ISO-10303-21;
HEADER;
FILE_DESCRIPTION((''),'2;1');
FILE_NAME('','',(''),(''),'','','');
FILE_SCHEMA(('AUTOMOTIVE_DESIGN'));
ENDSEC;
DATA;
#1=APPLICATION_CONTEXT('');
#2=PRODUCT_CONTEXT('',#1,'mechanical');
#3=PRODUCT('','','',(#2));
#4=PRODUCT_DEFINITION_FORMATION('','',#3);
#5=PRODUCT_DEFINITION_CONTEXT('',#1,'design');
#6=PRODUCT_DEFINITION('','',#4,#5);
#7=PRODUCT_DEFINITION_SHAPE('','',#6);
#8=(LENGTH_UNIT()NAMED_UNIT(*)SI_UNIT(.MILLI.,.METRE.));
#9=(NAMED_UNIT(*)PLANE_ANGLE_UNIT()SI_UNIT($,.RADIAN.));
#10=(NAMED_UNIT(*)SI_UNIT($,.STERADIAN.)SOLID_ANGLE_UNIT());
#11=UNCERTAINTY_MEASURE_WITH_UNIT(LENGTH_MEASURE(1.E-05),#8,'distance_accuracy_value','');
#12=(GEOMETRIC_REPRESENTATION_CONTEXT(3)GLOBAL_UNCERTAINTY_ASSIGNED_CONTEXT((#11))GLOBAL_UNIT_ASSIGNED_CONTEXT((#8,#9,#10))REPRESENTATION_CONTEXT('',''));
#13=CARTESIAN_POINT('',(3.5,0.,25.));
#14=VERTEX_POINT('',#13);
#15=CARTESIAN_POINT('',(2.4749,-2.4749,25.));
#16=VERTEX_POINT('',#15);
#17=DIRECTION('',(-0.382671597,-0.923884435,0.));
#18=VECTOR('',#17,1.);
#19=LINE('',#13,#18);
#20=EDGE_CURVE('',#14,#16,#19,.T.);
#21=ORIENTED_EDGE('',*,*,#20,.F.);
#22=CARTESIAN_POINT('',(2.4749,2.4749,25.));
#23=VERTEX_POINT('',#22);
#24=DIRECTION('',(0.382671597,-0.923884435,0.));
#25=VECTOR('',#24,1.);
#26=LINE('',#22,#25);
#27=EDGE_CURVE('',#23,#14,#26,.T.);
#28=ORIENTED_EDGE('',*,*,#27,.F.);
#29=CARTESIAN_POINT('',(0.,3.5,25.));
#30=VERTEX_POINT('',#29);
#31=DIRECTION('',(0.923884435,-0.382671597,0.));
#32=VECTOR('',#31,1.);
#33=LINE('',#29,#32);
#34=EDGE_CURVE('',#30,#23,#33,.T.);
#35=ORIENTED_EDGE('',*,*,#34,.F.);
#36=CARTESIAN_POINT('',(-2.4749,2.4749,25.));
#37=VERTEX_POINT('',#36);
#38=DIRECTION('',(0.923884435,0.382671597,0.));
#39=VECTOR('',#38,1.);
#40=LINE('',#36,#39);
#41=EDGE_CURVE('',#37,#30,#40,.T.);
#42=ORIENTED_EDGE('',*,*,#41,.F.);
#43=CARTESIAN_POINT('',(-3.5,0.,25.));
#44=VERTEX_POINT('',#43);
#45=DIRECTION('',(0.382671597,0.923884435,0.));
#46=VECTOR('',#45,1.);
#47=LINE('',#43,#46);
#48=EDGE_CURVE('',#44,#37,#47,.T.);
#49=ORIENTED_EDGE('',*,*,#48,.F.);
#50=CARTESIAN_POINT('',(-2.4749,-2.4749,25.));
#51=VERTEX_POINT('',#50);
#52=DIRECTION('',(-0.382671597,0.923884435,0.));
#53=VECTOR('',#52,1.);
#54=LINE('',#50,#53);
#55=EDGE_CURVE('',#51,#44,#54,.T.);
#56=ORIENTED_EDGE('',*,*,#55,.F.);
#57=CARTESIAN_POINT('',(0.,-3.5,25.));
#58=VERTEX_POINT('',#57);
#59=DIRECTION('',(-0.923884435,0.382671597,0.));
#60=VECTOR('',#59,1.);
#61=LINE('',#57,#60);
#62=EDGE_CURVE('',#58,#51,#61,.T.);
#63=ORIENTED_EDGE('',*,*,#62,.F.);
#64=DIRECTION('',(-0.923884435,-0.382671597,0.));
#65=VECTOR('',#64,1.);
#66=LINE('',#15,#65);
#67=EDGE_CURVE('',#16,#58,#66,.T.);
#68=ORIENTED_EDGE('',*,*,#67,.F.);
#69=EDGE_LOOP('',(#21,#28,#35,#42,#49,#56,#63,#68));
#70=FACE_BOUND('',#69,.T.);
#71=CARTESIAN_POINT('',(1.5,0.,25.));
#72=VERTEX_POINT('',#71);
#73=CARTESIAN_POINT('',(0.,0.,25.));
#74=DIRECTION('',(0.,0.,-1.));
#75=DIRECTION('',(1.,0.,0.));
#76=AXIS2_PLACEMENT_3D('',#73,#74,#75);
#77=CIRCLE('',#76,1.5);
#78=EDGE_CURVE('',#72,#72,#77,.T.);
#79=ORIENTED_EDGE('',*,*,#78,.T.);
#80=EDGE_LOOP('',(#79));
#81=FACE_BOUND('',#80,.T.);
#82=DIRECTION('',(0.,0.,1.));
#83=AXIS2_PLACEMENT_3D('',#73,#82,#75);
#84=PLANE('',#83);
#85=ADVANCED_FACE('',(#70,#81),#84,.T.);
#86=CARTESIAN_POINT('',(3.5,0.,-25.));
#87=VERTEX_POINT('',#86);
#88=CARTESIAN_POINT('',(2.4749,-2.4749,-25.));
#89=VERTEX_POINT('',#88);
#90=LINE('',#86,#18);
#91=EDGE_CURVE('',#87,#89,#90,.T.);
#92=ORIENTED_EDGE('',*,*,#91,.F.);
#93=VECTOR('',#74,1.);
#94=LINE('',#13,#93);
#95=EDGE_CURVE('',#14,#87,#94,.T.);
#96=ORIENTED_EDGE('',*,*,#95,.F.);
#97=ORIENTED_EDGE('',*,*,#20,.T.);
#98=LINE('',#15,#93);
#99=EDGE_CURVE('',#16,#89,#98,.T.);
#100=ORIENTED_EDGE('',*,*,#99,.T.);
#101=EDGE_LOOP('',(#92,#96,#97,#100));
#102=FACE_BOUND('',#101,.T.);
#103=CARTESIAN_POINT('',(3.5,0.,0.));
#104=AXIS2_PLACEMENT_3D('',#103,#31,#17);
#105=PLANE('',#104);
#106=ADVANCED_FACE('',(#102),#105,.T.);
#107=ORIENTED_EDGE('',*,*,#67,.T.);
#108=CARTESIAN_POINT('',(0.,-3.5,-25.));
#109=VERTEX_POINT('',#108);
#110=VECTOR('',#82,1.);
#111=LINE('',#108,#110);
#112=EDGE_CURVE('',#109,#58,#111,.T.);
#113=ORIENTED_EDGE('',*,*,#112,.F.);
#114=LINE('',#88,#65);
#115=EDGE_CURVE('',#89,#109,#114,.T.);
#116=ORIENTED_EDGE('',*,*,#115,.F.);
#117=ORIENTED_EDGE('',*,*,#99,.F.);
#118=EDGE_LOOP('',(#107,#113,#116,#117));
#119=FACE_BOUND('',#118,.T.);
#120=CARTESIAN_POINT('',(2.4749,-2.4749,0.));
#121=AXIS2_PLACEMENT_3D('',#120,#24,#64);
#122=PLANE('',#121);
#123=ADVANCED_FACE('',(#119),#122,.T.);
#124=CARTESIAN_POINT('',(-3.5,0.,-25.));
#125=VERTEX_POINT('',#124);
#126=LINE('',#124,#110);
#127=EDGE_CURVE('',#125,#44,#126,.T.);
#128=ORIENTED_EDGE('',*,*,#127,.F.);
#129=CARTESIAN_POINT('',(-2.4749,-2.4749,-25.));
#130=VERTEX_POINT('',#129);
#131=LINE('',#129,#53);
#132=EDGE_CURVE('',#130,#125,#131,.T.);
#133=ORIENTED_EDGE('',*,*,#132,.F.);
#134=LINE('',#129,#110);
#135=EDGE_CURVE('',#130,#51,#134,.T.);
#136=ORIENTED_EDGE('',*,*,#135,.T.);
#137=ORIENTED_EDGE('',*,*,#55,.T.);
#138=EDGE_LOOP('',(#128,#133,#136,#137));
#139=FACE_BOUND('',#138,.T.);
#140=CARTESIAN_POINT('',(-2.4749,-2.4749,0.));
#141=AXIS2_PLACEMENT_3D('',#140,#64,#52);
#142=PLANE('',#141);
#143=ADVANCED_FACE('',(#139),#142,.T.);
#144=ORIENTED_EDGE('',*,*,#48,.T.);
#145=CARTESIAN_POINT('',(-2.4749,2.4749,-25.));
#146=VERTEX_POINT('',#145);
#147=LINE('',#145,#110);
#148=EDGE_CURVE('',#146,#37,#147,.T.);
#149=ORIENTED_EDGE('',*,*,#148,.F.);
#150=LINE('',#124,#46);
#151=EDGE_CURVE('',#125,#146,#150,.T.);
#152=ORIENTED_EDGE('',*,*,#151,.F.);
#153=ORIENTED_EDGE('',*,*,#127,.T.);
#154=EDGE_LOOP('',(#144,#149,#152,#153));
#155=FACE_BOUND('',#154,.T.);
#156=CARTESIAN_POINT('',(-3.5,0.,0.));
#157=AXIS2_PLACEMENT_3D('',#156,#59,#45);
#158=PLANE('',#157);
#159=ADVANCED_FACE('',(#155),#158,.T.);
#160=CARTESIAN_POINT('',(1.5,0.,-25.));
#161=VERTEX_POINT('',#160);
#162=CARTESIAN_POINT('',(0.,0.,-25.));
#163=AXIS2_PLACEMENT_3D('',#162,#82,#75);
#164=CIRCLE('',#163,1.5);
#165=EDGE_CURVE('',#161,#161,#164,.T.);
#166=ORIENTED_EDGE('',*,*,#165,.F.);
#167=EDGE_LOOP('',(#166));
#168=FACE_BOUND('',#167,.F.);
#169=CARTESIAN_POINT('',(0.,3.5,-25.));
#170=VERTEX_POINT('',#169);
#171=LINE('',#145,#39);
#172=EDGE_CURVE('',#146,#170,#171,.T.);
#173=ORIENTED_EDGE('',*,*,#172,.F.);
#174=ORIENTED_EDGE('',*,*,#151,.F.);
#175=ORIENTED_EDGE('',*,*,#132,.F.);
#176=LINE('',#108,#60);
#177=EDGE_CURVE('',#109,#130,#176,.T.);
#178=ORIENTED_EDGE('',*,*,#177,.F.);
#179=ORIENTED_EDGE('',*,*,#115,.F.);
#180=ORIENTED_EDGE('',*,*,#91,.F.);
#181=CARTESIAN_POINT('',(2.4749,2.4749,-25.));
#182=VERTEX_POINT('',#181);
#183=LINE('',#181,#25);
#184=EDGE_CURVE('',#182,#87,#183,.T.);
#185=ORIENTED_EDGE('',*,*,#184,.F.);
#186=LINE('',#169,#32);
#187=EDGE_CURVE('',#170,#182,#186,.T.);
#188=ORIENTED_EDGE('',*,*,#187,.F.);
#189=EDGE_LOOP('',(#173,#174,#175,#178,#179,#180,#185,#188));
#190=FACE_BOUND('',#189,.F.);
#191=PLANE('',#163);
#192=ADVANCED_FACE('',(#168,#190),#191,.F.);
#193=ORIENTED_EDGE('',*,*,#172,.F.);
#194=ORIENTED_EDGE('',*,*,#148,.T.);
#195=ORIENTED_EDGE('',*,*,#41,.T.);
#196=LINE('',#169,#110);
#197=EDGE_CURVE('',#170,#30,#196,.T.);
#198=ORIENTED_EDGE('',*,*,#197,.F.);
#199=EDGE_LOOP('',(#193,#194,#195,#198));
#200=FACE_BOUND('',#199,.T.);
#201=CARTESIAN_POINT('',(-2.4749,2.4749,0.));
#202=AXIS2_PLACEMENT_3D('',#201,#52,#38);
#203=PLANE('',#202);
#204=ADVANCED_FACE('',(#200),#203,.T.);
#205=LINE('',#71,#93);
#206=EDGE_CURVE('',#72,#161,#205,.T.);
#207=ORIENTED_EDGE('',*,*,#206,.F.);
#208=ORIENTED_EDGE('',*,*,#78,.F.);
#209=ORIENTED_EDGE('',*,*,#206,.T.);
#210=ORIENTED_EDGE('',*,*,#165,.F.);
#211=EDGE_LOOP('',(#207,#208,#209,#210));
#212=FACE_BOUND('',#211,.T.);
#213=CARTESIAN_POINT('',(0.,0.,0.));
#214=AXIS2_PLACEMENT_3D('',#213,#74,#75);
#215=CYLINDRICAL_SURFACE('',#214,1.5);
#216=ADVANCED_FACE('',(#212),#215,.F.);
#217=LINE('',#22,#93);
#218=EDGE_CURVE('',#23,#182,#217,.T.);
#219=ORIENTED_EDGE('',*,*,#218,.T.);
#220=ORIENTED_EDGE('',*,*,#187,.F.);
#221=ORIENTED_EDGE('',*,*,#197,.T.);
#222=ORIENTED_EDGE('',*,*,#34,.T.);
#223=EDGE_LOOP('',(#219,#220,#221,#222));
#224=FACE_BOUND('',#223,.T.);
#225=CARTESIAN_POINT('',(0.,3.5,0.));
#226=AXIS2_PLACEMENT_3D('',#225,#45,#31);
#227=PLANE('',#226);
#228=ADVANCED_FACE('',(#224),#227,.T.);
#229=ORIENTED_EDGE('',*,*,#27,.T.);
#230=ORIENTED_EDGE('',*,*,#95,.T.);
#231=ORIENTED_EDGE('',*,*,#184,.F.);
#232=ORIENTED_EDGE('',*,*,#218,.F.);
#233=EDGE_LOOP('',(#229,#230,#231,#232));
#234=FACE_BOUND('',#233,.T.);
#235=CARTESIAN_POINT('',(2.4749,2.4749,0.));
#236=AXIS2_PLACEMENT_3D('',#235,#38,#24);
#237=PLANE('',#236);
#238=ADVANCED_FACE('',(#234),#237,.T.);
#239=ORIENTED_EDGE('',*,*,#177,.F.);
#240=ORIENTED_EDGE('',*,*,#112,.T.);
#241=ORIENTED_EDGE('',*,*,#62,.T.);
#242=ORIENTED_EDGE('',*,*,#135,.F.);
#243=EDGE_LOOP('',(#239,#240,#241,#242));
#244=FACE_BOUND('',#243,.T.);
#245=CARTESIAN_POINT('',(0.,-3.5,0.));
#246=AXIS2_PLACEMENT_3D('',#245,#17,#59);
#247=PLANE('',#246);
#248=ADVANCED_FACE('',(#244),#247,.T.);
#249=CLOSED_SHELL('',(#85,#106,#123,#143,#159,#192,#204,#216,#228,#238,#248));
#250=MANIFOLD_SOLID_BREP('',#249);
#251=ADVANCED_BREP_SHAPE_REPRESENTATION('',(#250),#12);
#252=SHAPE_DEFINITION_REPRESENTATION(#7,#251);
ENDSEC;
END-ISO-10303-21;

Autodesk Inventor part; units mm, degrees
sketch "Skizze1" plane through (0, 0, 0) normal (0, 0, 1) x (1, 0, 0)
  line L0 (0, 4.9) -> (0, -4.9)
  line L1 (-4.9, 0) -> (4.9, 0)
  line L2 (0, 3.5) -> (2.4749, 2.4749)
  line L3 (2.4749, 2.4749) -> (3.5, 0)
  line L4 (3.5, 0) -> (2.4749, -2.4749)
  line L5 (2.4749, -2.4749) -> (0, -3.5)
  line L6 (0, -3.5) -> (-2.4749, -2.4749)
  line L7 (-2.4749, -2.4749) -> (-3.5, 0)
  line L8 (-3.5, 0) -> (-2.4749, 2.4749)
  line L9 (-2.4749, 2.4749) -> (0, 3.5)
  circle A0 centre (0, 0) radius 1.5
  dimension "d0" = 3
extrude "Extrusion1" add sketch "Skizze1" along normal mid plane 50 contours L2 L3 L1 A0 L0 | L0 A0 L1 L8 L9 | L1 L4 L5 L0 A0 | A0 L0 L6 L7 L1
properties part number "StutzeHinten"
